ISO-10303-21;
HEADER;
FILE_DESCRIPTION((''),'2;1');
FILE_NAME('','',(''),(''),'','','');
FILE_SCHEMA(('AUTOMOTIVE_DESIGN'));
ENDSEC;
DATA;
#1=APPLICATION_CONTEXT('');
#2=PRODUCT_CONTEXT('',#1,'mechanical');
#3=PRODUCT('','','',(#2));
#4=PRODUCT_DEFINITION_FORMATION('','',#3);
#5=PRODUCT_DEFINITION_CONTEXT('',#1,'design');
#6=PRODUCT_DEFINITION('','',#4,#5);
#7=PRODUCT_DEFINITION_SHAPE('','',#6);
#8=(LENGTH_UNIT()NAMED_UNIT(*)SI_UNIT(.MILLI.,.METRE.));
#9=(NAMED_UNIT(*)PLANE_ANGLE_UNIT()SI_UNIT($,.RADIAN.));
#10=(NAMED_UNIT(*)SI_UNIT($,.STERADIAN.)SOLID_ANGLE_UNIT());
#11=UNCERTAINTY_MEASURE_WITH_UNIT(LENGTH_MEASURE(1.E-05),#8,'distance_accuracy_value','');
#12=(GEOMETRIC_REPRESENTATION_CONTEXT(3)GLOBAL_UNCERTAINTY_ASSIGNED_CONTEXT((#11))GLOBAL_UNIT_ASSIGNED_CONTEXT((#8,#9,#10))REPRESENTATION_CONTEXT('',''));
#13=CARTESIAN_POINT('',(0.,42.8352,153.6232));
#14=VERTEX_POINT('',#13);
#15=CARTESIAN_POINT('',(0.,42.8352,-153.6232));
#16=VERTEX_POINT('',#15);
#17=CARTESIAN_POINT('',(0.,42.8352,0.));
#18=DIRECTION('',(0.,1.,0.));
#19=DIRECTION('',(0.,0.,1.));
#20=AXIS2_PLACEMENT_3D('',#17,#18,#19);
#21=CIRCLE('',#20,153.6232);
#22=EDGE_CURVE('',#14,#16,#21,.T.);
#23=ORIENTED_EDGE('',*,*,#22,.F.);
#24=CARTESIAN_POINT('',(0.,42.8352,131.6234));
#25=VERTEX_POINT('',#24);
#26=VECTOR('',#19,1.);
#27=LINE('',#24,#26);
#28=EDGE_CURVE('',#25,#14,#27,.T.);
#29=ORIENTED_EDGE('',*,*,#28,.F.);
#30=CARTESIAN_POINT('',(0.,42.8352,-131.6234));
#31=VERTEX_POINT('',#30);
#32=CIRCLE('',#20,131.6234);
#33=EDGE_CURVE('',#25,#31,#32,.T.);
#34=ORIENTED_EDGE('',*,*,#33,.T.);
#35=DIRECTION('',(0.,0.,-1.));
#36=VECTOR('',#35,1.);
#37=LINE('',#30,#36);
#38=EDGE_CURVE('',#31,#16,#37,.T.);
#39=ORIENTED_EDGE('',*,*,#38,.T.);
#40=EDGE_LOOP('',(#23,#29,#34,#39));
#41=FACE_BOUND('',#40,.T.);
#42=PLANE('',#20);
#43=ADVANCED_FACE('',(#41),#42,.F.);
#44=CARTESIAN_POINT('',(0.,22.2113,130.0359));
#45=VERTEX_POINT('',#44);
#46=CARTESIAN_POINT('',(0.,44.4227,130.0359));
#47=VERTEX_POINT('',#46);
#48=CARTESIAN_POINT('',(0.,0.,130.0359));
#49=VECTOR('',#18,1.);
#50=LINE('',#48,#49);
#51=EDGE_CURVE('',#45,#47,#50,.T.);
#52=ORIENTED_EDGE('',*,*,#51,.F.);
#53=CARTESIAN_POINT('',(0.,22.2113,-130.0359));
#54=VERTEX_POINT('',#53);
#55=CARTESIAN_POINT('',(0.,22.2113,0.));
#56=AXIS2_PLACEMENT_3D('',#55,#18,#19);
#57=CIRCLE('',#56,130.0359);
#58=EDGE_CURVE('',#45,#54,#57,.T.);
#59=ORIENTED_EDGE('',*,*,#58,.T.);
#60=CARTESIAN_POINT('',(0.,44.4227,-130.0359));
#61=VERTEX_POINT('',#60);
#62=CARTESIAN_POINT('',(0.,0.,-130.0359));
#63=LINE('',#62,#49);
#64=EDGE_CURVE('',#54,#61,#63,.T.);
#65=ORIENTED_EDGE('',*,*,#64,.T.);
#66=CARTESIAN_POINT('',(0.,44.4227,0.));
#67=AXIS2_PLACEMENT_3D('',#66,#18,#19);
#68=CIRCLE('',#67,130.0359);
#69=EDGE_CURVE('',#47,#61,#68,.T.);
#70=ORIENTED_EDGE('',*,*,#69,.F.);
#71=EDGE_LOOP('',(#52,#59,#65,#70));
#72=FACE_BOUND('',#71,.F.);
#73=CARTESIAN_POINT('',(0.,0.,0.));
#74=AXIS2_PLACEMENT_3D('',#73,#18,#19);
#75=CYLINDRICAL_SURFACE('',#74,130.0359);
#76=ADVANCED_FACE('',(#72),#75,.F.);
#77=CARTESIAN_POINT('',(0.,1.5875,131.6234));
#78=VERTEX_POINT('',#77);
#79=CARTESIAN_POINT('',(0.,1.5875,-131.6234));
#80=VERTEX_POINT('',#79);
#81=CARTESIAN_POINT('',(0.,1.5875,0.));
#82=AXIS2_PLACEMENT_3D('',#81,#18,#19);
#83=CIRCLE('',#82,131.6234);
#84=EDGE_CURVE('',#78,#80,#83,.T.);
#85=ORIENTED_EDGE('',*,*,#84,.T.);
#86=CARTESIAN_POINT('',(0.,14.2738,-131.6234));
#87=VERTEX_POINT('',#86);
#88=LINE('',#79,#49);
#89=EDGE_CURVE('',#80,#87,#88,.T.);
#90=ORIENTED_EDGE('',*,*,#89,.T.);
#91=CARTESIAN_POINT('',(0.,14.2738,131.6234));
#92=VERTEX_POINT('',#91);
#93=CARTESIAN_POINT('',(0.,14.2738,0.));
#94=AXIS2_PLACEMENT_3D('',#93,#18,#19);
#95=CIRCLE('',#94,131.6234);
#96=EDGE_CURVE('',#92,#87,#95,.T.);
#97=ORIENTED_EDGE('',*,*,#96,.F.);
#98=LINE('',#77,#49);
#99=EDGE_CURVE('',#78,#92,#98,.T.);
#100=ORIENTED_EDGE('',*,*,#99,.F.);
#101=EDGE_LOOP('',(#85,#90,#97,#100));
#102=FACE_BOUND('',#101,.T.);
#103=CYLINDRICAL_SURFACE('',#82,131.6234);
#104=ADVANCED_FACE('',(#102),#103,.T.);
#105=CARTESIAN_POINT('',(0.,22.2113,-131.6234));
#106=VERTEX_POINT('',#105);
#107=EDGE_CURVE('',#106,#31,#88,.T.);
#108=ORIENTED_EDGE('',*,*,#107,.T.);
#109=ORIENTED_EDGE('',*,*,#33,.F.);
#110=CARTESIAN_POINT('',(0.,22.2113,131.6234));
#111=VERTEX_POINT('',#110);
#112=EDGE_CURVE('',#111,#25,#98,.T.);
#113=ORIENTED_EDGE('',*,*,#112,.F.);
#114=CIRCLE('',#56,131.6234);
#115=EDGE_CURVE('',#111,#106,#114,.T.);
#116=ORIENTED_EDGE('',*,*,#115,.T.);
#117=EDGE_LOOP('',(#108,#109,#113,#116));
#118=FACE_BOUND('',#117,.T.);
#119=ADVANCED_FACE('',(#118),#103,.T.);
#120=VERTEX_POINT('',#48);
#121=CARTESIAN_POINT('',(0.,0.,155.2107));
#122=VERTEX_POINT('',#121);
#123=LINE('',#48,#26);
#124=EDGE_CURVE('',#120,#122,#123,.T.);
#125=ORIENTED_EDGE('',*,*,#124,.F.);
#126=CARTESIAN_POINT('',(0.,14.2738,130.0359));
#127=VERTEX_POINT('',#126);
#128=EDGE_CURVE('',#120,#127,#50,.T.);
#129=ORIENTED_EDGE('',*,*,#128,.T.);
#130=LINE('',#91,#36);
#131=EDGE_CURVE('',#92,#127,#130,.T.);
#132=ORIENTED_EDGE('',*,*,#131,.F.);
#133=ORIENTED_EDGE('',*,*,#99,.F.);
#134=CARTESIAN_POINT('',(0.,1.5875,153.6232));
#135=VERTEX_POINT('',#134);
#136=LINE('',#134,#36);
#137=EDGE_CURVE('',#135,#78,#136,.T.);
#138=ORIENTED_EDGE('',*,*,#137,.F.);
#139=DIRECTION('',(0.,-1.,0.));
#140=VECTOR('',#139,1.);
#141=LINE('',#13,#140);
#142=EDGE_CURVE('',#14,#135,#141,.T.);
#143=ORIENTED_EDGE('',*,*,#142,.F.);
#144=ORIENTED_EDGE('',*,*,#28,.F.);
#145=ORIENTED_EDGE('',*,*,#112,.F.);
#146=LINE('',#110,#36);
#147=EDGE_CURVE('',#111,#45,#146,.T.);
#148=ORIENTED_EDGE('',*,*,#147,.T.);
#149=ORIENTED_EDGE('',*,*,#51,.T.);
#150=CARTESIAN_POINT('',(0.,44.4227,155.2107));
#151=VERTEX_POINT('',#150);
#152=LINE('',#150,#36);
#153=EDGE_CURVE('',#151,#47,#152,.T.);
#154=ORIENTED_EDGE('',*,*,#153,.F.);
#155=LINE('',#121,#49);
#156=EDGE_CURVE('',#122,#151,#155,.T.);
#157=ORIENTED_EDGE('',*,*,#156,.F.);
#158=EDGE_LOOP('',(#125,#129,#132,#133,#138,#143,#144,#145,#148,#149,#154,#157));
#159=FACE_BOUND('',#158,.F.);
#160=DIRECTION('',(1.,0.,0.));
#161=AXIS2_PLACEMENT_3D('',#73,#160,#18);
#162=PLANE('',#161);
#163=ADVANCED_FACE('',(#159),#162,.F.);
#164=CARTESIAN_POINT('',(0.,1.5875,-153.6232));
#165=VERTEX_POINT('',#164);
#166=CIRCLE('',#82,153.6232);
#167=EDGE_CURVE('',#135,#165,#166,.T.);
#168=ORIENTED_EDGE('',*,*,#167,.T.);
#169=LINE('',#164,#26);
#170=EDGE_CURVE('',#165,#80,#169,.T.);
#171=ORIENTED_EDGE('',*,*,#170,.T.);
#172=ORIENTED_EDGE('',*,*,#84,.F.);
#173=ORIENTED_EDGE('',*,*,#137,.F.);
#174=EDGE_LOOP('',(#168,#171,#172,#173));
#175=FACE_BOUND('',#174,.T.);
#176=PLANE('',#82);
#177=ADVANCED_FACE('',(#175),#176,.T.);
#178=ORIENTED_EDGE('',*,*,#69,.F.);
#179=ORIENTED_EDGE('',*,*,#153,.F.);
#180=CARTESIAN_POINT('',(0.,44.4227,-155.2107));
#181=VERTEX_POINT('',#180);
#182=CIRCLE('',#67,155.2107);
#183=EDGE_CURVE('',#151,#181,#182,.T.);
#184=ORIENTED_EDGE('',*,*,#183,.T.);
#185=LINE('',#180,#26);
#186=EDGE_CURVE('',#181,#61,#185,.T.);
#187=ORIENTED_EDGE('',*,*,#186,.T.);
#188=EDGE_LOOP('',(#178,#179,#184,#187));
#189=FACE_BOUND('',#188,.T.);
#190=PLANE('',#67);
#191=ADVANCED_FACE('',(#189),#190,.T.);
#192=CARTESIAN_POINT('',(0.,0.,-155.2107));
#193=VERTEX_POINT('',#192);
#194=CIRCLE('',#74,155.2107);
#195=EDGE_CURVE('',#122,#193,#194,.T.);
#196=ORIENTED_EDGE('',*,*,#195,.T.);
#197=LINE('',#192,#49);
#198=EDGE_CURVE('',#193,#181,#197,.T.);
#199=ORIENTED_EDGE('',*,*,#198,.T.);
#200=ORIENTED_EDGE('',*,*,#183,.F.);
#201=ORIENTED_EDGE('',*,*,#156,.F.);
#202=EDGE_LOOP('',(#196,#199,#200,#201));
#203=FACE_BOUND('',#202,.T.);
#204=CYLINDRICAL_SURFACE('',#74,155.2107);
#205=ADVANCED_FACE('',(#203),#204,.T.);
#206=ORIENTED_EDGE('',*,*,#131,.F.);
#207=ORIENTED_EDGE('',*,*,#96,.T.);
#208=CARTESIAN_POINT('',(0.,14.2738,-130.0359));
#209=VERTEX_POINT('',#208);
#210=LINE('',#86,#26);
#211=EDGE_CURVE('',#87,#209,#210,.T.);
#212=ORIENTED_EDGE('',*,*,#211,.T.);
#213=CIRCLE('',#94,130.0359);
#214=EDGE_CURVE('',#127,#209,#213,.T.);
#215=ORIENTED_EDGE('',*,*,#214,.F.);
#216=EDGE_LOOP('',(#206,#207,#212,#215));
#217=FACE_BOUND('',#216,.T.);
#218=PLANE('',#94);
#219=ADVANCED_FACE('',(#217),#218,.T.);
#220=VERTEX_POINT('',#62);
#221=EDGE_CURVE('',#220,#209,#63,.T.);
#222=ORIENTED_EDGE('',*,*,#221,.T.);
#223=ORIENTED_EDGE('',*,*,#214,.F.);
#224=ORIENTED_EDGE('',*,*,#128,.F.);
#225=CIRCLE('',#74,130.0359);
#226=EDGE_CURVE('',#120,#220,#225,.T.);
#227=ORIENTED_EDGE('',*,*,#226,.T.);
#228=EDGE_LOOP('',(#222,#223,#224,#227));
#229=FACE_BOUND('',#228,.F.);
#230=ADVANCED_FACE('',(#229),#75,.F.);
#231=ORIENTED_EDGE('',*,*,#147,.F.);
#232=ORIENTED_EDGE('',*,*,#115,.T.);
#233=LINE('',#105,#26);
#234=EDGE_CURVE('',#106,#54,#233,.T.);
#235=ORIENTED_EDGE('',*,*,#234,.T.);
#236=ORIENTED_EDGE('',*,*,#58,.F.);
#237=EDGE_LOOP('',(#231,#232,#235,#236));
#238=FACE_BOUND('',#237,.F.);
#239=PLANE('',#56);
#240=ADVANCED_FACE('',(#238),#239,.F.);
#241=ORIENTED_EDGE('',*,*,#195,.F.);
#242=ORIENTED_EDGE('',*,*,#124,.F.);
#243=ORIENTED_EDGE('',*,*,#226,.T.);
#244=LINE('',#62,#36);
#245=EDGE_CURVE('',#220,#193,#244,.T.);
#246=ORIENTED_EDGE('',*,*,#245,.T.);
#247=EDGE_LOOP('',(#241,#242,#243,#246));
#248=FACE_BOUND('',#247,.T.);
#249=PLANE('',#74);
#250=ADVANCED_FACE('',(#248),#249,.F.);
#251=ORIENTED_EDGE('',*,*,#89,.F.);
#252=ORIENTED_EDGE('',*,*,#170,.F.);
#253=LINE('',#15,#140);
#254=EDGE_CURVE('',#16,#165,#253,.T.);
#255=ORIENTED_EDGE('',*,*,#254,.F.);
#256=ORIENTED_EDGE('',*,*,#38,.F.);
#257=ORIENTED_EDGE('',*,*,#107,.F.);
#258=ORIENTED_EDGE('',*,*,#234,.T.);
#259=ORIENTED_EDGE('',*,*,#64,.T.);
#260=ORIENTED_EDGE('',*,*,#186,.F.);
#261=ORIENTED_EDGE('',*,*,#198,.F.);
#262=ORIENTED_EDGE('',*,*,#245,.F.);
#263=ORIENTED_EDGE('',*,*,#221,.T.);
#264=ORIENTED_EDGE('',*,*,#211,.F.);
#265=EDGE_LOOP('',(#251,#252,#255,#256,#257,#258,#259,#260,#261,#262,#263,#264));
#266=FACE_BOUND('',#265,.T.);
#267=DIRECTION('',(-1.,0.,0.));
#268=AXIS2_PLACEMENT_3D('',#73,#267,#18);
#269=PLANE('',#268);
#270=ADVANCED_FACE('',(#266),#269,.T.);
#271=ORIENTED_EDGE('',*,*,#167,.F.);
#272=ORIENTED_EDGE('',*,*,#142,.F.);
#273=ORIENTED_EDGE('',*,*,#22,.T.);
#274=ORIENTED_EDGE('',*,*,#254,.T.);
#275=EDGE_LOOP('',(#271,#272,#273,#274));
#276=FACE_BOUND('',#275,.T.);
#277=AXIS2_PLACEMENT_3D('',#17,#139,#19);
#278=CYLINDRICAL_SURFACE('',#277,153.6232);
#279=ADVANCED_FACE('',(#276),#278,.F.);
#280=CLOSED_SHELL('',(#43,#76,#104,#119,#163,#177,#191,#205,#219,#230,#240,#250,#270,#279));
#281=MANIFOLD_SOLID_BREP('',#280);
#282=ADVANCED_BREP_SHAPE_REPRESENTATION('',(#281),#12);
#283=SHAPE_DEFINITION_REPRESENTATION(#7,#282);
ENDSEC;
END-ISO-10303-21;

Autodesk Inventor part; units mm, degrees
ref_plane "YZ Plane" through (0, 0, 0) normal (1, 0, 0) x (0, 1, 0)
ref_plane "XZ Plane" through (0, 0, 0) normal (0, 1, 0) x (-1, 0, 0)
ref_plane "XY Plane" through (0, 0, 0) normal (0, 0, 1) x (1, 0, 0)
sketch "Sketch1" plane through (0, 0, 0) normal (1, 0, 0) x (0, 1, 0)
  line L0 (0, 0) -> (73.993, 0)
  line L1 (0, 130.0359) -> (44.4227, 130.0359)
  line L2 (0, 130.0359) -> (0, 155.2107)
  line L3 (0, 155.2107) -> (44.4227, 155.2107)
  line L4 (44.4227, 155.2107) -> (44.4227, 130.0359)
  line L5 (42.8352, 153.6232) -> (1.5875, 153.6232)
  line L6 (1.5875, 153.6232) -> (1.5875, 131.6234)
  line L7 (1.5875, 131.6234) -> (42.8352, 131.6234)
  line L8 (42.8352, 131.6234) -> (42.8352, 153.6232)
  line L9 (18.2426, 143.1015) -> (18.2426, 119.3292)
  line L10 (14.2738, 131.6234) -> (14.2738, 130.0359)
  line L11 (22.2113, 131.6234) -> (22.2113, 130.0359)
  dimension "d1" = 25.1748
  dimension "d2" = 130.0359
  dimension "d3" = 44.4227
  dimension "d4" = 0
  dimension "d5" = 1.5875
  dimension "d6" = 1.5875
  dimension "d7" = 1.5875
  dimension "d8" = 1.5875
  dimension "d9" = 18.2426
  dimension "d10" = 7.9375
  dimension "d11" = 3.9688
revolve "Revolution1" add sketch "Sketch1" angle 180 about axis through (0, 0, 0) along (0, 1, 0) contours L2 L3 L4 L1 L11 L7 L8 L5 L6 L10
equation "\"d2\" = 0.5 * IBDia - 3 * SpWall"
equation "\"d3\" = Wall + 4 * SpWall + BevDriverDia + d1_1"
equation "\"d5\" = Wall"
equation "\"d6\" = Wall"
equation "\"d7\" = Wall"
equation "\"d8\" = Wall"
equation "\"d9\" = 2 * SpWall + 0.5 * BevDriverDia"
equation "\"d10\" = AxelDia + Space"
equation "\"d11\" = 0.5 * Space + 0.5 * AxelDia"
equation "\"IDia\" = 266.7"
equation "\"Wall\" = 1.5875"
equation "\"Space\" = 1.5875"
equation "\"SpWall\" = 3.175"
equation "\"AxelDia\" = 6.35"
equation "\"IBDia\" = 279.121792"
equation "\"BevDriverDia\" = 23.785175"
equation "\"d1_1\" = 6.35"
properties part number "OuterShell"
